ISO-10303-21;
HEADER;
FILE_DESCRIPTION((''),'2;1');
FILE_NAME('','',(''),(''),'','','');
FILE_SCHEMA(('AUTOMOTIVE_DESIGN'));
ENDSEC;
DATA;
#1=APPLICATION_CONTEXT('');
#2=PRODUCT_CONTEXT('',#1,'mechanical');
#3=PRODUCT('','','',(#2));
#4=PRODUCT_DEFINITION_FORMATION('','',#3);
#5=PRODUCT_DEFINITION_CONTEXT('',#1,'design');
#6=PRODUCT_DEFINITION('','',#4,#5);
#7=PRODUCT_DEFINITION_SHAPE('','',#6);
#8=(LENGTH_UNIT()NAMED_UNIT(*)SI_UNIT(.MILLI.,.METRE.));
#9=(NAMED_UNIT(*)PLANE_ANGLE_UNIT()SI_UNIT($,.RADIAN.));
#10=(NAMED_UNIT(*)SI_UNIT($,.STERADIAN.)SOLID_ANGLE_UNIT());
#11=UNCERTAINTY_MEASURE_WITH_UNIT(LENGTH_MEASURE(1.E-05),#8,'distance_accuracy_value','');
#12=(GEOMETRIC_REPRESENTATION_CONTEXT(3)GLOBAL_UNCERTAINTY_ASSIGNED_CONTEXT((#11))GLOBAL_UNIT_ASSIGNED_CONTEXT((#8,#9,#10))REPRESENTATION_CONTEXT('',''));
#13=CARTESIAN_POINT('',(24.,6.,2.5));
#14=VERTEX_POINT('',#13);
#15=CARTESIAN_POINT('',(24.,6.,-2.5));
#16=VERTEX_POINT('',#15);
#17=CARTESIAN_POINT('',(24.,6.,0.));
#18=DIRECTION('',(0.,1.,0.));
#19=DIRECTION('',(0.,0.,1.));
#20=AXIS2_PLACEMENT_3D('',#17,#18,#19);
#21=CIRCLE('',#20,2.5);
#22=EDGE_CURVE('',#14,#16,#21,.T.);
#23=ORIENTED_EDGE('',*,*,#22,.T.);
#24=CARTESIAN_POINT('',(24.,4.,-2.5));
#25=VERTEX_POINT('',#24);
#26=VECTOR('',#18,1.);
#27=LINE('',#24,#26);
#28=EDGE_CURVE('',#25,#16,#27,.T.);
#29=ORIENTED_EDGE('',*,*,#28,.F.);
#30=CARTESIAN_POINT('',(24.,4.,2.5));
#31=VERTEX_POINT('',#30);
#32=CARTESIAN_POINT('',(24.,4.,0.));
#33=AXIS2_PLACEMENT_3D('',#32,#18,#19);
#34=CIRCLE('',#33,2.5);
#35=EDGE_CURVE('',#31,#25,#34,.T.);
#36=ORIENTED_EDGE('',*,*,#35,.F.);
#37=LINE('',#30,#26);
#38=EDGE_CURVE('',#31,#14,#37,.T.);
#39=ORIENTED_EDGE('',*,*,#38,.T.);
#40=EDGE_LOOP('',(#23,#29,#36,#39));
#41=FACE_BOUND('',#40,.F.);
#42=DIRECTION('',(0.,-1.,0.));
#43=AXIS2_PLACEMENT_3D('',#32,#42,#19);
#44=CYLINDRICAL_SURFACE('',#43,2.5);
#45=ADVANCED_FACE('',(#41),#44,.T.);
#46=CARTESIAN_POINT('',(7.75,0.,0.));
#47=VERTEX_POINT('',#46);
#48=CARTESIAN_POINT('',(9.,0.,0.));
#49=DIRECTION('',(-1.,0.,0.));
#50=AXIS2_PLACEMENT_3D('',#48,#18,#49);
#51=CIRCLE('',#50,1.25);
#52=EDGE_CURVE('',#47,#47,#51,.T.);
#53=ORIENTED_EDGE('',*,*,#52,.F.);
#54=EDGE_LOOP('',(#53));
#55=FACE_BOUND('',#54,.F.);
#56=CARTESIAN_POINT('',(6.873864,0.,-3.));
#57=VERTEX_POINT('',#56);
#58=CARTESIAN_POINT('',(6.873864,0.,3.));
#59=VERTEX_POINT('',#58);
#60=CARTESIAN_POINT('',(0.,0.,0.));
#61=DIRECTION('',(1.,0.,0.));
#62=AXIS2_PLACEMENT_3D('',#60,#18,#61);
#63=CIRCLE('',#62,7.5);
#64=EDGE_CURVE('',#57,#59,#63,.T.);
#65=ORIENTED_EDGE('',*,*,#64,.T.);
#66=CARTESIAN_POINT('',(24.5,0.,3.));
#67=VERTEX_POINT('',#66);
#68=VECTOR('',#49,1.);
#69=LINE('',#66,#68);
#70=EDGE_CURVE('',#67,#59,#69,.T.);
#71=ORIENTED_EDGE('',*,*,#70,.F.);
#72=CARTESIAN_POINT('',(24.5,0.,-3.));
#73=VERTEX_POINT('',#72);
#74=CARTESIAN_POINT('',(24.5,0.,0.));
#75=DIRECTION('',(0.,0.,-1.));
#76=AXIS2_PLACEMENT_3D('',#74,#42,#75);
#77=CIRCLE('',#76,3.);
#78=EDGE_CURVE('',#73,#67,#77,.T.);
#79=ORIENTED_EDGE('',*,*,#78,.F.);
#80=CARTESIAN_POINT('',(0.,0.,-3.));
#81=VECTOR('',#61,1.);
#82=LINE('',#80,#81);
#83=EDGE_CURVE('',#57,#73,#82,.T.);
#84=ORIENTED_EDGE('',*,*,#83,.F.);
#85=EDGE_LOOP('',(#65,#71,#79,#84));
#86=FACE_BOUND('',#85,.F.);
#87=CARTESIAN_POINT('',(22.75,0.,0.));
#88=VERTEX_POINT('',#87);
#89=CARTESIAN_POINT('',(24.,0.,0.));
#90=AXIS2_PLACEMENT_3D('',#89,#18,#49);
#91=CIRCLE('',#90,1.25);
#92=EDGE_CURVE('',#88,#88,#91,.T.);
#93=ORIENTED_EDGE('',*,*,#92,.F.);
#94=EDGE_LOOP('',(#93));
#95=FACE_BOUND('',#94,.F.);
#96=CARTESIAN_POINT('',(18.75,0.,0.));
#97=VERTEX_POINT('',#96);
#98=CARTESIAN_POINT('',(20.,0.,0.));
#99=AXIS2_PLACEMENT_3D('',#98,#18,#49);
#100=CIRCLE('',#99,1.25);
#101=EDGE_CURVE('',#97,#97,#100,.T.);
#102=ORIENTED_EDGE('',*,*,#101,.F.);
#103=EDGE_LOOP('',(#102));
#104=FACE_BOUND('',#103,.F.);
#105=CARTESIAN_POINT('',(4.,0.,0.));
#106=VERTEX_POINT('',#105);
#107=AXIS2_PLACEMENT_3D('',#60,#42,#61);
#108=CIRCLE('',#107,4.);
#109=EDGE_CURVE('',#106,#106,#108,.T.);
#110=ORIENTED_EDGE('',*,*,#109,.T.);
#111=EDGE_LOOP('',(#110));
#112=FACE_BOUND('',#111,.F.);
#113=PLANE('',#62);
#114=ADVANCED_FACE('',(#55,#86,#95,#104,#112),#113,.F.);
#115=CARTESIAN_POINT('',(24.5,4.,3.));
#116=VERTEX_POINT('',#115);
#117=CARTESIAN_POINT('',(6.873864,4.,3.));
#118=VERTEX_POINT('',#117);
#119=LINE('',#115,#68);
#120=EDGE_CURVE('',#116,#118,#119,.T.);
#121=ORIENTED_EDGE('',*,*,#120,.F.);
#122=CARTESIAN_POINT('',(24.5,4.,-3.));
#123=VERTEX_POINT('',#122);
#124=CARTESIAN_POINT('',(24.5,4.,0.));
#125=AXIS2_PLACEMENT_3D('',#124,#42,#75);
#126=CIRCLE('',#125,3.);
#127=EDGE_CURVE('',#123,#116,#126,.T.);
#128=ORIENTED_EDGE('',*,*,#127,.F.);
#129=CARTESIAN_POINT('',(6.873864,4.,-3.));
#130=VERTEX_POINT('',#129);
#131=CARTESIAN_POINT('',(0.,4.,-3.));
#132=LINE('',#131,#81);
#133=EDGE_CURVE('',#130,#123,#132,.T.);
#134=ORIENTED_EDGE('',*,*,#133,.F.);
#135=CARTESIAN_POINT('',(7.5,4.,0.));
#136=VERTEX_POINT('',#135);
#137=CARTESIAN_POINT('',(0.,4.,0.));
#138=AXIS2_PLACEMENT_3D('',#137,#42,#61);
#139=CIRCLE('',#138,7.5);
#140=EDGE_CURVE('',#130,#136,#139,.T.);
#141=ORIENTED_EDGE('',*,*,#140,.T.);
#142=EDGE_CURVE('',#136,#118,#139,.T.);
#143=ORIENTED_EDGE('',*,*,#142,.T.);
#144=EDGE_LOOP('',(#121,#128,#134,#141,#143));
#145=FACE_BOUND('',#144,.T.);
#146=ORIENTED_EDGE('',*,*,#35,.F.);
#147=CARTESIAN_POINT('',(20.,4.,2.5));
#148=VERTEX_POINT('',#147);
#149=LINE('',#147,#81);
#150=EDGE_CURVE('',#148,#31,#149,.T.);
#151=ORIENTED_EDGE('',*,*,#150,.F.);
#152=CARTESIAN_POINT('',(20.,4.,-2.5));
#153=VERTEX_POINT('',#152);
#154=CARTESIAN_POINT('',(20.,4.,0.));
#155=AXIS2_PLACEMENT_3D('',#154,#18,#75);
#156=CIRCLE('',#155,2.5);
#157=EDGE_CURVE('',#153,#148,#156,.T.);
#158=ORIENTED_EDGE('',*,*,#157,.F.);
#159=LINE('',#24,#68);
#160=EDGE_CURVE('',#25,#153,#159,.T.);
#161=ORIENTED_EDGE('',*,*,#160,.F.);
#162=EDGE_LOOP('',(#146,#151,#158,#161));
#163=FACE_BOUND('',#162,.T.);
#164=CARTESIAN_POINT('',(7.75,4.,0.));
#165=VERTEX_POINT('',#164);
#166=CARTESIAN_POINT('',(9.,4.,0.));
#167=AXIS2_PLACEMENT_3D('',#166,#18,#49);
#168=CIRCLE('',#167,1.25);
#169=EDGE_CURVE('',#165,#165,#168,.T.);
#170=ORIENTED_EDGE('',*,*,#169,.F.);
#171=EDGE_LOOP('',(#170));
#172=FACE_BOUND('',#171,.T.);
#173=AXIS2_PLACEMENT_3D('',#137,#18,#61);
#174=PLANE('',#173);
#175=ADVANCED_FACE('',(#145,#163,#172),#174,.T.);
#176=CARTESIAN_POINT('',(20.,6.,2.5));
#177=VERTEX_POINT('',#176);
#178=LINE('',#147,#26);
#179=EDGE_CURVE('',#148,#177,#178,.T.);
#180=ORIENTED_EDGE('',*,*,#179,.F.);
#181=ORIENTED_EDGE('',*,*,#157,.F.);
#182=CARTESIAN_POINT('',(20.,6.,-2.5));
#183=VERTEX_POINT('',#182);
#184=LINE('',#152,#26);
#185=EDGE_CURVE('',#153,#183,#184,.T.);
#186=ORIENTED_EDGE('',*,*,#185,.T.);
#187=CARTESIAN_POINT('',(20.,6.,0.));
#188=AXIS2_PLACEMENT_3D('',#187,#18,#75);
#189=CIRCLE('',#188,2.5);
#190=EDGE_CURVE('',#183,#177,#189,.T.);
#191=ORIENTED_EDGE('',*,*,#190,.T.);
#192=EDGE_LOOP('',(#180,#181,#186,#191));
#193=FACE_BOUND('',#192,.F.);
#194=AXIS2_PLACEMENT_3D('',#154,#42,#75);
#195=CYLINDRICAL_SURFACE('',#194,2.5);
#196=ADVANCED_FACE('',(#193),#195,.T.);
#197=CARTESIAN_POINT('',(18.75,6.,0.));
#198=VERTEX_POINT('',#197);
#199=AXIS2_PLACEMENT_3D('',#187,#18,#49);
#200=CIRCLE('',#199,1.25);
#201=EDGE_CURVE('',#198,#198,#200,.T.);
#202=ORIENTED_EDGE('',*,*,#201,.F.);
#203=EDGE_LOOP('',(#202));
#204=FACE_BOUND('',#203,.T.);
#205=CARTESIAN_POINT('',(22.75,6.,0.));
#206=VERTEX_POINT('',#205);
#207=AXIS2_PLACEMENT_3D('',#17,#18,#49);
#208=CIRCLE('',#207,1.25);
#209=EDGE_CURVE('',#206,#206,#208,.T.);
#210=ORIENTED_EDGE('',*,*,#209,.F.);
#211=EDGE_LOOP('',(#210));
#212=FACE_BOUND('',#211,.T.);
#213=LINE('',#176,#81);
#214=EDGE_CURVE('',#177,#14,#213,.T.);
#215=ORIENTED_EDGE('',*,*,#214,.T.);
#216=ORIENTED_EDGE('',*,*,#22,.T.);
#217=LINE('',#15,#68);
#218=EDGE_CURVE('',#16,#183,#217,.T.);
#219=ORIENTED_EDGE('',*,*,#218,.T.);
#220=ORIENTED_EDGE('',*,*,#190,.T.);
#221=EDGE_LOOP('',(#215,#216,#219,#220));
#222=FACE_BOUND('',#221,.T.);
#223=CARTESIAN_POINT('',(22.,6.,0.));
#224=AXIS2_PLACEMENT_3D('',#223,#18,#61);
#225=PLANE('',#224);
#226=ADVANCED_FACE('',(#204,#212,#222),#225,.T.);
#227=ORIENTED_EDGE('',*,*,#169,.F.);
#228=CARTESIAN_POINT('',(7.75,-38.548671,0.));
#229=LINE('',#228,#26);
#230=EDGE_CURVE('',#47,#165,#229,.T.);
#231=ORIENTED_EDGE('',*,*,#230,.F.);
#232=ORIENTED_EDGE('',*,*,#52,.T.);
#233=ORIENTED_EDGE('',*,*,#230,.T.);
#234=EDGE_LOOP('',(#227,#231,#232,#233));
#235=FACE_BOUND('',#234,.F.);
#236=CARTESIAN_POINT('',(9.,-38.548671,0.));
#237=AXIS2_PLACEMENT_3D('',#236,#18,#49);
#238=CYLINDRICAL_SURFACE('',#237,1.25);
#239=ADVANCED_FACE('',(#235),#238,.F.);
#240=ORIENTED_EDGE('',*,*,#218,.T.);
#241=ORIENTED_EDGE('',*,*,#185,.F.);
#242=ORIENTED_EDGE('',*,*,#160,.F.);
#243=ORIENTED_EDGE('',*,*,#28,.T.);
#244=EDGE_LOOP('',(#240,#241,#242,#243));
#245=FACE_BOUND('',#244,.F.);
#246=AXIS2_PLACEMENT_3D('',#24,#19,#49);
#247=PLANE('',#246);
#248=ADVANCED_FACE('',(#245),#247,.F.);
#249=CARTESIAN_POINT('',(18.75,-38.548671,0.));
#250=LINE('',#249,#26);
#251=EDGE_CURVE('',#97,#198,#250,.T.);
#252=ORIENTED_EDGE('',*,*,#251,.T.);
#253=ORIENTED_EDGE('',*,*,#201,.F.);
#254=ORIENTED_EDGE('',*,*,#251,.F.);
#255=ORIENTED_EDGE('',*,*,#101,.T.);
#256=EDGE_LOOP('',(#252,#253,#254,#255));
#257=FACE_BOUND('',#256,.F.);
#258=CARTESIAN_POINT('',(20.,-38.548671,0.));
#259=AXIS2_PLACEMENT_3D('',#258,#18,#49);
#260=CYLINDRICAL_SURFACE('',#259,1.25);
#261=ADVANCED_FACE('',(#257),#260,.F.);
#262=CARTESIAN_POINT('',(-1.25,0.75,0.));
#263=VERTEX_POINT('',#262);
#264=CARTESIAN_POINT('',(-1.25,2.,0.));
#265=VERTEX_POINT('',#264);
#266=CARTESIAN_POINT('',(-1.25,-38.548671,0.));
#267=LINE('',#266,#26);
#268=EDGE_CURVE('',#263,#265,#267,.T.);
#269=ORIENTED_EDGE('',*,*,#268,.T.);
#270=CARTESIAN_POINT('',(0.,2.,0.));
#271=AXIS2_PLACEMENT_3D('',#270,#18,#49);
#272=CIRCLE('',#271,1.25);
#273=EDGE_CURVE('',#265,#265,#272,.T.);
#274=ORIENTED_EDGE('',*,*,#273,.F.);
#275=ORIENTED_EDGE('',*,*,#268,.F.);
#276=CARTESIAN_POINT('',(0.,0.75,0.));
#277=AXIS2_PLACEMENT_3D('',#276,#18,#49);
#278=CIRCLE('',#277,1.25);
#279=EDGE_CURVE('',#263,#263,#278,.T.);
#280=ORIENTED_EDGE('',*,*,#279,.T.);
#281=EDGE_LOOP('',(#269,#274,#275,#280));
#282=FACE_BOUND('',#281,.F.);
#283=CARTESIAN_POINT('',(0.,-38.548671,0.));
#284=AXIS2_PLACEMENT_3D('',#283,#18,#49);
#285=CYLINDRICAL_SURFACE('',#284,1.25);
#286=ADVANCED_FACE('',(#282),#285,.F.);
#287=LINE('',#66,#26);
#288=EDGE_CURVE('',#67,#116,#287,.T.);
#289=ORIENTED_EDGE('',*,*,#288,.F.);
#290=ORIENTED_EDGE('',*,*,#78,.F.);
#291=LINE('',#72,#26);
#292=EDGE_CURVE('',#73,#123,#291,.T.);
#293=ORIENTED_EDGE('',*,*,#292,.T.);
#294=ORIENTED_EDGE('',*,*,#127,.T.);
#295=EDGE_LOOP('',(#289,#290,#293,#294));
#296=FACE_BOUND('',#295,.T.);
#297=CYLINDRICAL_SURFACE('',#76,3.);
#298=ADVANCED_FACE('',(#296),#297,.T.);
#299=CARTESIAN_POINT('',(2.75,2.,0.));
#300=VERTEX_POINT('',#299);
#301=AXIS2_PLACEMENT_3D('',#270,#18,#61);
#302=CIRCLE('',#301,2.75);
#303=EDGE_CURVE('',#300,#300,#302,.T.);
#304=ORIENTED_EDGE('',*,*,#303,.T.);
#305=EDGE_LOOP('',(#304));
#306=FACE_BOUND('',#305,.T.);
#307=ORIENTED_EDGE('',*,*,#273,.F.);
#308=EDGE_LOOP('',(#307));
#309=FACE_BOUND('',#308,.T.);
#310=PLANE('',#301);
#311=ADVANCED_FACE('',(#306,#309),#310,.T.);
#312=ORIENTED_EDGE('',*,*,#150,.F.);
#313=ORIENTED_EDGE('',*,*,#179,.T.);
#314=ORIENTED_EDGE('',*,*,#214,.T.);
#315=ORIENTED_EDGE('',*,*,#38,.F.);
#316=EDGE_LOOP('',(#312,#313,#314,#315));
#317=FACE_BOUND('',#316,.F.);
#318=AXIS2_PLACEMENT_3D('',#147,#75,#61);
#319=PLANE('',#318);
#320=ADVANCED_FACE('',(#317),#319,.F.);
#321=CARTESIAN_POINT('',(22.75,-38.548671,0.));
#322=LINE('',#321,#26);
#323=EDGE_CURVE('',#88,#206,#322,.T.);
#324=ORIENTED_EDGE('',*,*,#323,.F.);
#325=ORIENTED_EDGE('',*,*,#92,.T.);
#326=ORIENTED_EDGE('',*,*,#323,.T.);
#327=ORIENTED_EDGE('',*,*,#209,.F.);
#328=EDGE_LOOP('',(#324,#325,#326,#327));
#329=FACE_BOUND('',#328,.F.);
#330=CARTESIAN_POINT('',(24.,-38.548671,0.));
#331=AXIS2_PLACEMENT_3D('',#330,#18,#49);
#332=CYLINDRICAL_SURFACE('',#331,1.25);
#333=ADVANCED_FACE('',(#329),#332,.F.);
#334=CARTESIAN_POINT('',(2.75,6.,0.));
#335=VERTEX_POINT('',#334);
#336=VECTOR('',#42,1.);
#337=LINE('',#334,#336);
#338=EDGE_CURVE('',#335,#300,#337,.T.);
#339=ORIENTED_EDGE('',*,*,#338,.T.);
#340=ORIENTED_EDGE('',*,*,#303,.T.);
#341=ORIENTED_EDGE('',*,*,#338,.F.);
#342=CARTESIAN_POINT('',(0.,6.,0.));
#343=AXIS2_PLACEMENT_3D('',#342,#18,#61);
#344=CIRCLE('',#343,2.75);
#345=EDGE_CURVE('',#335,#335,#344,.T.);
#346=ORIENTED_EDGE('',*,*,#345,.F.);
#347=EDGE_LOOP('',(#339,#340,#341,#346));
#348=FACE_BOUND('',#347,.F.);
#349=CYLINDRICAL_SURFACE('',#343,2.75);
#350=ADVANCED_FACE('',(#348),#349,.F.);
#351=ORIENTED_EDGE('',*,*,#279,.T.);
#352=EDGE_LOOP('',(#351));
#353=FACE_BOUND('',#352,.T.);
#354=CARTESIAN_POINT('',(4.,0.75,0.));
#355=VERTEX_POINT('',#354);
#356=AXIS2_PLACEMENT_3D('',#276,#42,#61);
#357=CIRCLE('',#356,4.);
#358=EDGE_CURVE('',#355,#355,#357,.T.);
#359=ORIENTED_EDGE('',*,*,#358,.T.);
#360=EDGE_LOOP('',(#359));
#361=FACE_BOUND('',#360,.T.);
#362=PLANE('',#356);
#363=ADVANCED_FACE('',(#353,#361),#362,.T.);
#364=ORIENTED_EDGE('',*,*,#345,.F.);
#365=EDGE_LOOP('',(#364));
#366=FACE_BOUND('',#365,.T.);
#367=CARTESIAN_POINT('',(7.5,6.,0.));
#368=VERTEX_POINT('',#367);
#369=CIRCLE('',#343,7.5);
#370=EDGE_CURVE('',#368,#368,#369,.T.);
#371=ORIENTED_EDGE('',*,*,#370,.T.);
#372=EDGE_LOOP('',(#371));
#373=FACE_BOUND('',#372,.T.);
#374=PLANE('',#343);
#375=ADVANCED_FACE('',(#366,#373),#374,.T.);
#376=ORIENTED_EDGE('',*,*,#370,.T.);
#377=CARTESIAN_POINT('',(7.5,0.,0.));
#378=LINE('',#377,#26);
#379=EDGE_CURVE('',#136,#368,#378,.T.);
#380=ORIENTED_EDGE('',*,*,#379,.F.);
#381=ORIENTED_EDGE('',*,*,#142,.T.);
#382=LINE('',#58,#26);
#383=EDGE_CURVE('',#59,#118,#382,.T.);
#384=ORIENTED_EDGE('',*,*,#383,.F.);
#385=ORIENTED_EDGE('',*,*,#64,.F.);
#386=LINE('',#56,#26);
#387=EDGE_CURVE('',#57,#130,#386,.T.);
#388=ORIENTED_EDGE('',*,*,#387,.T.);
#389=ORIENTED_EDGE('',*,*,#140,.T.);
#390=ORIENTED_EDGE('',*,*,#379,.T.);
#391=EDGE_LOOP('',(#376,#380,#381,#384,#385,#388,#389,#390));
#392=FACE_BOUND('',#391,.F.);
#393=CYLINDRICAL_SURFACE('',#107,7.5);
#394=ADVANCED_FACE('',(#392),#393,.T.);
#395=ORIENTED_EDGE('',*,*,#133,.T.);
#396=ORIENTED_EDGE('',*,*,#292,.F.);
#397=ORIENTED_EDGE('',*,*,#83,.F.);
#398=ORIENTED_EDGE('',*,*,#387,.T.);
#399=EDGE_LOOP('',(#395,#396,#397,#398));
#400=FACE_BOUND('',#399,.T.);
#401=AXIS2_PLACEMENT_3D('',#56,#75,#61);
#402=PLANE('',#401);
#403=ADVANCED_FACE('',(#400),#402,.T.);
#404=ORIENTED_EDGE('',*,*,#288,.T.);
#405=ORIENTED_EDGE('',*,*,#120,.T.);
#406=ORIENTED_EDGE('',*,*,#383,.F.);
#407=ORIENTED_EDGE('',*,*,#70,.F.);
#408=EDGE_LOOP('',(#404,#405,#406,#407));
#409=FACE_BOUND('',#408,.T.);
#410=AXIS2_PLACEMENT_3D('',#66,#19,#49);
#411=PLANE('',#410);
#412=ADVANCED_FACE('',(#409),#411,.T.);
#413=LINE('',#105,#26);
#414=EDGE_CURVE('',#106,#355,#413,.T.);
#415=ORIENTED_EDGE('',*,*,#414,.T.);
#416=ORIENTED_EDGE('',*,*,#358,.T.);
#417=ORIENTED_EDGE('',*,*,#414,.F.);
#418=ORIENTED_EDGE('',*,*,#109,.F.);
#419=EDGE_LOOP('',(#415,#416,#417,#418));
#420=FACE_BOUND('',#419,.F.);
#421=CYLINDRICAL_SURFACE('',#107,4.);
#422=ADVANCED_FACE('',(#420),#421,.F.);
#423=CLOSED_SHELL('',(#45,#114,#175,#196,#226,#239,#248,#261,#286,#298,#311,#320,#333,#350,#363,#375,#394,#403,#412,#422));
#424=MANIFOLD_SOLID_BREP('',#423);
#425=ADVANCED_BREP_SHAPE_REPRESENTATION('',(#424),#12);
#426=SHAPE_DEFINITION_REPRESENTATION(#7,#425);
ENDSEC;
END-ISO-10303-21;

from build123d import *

# Parameters (mm, degrees)
SKETCH_1_R               = 7.5
EXTRUDE_1_DEPTH          = 4
SKETCH_1_3_R             = 7.5
EXTRUDE_2_DEPTH          = 6
EXTRUDE_3_DEPTH          = 2
HOLE_WIZARD_M3_1_D       = 2.5
SKETCH_5_R               = 2.75
CUT_EXTRUDE_1_DEPTH      = 1
CUT_EXTRUDE_1_DEPTH_BACK = 4
SKETCH_6_R               = 4
CUT_EXTRUDE_2_DEPTH      = 0.75


with BuildPart() as part:
    # 草图1 → 凸台-拉伸1 (new body)
    with BuildSketch(Plane(origin=(0, 0, 0), x_dir=(1, 0, 0), z_dir=(0, 1, 0))):
        Circle(SKETCH_1_R)
        with BuildLine():
            Line((0, 3), (24.5, 3))
            ThreePointArc((24.5, 3), (27.5, 0), (24.5, -3))
            Line((24.5, -3), (0, -3))
            ThreePointArc((0, -3), (-3, 0), (0, 3))
        make_face()
    extrude(amount=EXTRUDE_1_DEPTH)

    # 草图1<3> → 凸台-拉伸2 (add)
    with BuildSketch(Plane(origin=(0, 0, 0), x_dir=(1, 0, 0), z_dir=(0, 1, 0))):
        Circle(SKETCH_1_3_R)
    extrude(amount=EXTRUDE_2_DEPTH)

    # 草图2 → 凸台-拉伸3 (add)
    with BuildSketch(Plane(origin=(0, 4, 0), x_dir=(1, 0, 0), z_dir=(0, 1, 0))):
        with BuildLine():
            Line((20, -2.5), (24, -2.5))
            ThreePointArc((24, -2.5), (26.5, 0), (24, 2.5))
            Line((24, 2.5), (20, 2.5))
            ThreePointArc((20, 2.5), (17.5, 0), (20, -2.5))
        make_face()
    extrude(amount=EXTRUDE_3_DEPTH)

    # M3 螺纹孔1 (through all)
    with Locations(Plane.XZ):
        with Locations((20, 0), (24, 0), (0, 0), (9, 0)):
            Hole(HOLE_WIZARD_M3_1_D / 2)

    # 草图5 → 切除-拉伸1 (cut, two sides)
    with BuildSketch(Plane(origin=(0, 6, 0), x_dir=(1, 0, 0), z_dir=(0, 1, 0))) as cut_extrude_1_sk:
        Circle(SKETCH_5_R)
    extrude(amount=CUT_EXTRUDE_1_DEPTH, mode=Mode.SUBTRACT)
    extrude(cut_extrude_1_sk.sketch, amount=-CUT_EXTRUDE_1_DEPTH_BACK, mode=Mode.SUBTRACT)

    # 草图6 → 切除-拉伸2 (cut)
    with BuildSketch(Plane.XZ):
        Circle(SKETCH_6_R)
    extrude(amount=-CUT_EXTRUDE_2_DEPTH, mode=Mode.SUBTRACT)


solid = part.part
